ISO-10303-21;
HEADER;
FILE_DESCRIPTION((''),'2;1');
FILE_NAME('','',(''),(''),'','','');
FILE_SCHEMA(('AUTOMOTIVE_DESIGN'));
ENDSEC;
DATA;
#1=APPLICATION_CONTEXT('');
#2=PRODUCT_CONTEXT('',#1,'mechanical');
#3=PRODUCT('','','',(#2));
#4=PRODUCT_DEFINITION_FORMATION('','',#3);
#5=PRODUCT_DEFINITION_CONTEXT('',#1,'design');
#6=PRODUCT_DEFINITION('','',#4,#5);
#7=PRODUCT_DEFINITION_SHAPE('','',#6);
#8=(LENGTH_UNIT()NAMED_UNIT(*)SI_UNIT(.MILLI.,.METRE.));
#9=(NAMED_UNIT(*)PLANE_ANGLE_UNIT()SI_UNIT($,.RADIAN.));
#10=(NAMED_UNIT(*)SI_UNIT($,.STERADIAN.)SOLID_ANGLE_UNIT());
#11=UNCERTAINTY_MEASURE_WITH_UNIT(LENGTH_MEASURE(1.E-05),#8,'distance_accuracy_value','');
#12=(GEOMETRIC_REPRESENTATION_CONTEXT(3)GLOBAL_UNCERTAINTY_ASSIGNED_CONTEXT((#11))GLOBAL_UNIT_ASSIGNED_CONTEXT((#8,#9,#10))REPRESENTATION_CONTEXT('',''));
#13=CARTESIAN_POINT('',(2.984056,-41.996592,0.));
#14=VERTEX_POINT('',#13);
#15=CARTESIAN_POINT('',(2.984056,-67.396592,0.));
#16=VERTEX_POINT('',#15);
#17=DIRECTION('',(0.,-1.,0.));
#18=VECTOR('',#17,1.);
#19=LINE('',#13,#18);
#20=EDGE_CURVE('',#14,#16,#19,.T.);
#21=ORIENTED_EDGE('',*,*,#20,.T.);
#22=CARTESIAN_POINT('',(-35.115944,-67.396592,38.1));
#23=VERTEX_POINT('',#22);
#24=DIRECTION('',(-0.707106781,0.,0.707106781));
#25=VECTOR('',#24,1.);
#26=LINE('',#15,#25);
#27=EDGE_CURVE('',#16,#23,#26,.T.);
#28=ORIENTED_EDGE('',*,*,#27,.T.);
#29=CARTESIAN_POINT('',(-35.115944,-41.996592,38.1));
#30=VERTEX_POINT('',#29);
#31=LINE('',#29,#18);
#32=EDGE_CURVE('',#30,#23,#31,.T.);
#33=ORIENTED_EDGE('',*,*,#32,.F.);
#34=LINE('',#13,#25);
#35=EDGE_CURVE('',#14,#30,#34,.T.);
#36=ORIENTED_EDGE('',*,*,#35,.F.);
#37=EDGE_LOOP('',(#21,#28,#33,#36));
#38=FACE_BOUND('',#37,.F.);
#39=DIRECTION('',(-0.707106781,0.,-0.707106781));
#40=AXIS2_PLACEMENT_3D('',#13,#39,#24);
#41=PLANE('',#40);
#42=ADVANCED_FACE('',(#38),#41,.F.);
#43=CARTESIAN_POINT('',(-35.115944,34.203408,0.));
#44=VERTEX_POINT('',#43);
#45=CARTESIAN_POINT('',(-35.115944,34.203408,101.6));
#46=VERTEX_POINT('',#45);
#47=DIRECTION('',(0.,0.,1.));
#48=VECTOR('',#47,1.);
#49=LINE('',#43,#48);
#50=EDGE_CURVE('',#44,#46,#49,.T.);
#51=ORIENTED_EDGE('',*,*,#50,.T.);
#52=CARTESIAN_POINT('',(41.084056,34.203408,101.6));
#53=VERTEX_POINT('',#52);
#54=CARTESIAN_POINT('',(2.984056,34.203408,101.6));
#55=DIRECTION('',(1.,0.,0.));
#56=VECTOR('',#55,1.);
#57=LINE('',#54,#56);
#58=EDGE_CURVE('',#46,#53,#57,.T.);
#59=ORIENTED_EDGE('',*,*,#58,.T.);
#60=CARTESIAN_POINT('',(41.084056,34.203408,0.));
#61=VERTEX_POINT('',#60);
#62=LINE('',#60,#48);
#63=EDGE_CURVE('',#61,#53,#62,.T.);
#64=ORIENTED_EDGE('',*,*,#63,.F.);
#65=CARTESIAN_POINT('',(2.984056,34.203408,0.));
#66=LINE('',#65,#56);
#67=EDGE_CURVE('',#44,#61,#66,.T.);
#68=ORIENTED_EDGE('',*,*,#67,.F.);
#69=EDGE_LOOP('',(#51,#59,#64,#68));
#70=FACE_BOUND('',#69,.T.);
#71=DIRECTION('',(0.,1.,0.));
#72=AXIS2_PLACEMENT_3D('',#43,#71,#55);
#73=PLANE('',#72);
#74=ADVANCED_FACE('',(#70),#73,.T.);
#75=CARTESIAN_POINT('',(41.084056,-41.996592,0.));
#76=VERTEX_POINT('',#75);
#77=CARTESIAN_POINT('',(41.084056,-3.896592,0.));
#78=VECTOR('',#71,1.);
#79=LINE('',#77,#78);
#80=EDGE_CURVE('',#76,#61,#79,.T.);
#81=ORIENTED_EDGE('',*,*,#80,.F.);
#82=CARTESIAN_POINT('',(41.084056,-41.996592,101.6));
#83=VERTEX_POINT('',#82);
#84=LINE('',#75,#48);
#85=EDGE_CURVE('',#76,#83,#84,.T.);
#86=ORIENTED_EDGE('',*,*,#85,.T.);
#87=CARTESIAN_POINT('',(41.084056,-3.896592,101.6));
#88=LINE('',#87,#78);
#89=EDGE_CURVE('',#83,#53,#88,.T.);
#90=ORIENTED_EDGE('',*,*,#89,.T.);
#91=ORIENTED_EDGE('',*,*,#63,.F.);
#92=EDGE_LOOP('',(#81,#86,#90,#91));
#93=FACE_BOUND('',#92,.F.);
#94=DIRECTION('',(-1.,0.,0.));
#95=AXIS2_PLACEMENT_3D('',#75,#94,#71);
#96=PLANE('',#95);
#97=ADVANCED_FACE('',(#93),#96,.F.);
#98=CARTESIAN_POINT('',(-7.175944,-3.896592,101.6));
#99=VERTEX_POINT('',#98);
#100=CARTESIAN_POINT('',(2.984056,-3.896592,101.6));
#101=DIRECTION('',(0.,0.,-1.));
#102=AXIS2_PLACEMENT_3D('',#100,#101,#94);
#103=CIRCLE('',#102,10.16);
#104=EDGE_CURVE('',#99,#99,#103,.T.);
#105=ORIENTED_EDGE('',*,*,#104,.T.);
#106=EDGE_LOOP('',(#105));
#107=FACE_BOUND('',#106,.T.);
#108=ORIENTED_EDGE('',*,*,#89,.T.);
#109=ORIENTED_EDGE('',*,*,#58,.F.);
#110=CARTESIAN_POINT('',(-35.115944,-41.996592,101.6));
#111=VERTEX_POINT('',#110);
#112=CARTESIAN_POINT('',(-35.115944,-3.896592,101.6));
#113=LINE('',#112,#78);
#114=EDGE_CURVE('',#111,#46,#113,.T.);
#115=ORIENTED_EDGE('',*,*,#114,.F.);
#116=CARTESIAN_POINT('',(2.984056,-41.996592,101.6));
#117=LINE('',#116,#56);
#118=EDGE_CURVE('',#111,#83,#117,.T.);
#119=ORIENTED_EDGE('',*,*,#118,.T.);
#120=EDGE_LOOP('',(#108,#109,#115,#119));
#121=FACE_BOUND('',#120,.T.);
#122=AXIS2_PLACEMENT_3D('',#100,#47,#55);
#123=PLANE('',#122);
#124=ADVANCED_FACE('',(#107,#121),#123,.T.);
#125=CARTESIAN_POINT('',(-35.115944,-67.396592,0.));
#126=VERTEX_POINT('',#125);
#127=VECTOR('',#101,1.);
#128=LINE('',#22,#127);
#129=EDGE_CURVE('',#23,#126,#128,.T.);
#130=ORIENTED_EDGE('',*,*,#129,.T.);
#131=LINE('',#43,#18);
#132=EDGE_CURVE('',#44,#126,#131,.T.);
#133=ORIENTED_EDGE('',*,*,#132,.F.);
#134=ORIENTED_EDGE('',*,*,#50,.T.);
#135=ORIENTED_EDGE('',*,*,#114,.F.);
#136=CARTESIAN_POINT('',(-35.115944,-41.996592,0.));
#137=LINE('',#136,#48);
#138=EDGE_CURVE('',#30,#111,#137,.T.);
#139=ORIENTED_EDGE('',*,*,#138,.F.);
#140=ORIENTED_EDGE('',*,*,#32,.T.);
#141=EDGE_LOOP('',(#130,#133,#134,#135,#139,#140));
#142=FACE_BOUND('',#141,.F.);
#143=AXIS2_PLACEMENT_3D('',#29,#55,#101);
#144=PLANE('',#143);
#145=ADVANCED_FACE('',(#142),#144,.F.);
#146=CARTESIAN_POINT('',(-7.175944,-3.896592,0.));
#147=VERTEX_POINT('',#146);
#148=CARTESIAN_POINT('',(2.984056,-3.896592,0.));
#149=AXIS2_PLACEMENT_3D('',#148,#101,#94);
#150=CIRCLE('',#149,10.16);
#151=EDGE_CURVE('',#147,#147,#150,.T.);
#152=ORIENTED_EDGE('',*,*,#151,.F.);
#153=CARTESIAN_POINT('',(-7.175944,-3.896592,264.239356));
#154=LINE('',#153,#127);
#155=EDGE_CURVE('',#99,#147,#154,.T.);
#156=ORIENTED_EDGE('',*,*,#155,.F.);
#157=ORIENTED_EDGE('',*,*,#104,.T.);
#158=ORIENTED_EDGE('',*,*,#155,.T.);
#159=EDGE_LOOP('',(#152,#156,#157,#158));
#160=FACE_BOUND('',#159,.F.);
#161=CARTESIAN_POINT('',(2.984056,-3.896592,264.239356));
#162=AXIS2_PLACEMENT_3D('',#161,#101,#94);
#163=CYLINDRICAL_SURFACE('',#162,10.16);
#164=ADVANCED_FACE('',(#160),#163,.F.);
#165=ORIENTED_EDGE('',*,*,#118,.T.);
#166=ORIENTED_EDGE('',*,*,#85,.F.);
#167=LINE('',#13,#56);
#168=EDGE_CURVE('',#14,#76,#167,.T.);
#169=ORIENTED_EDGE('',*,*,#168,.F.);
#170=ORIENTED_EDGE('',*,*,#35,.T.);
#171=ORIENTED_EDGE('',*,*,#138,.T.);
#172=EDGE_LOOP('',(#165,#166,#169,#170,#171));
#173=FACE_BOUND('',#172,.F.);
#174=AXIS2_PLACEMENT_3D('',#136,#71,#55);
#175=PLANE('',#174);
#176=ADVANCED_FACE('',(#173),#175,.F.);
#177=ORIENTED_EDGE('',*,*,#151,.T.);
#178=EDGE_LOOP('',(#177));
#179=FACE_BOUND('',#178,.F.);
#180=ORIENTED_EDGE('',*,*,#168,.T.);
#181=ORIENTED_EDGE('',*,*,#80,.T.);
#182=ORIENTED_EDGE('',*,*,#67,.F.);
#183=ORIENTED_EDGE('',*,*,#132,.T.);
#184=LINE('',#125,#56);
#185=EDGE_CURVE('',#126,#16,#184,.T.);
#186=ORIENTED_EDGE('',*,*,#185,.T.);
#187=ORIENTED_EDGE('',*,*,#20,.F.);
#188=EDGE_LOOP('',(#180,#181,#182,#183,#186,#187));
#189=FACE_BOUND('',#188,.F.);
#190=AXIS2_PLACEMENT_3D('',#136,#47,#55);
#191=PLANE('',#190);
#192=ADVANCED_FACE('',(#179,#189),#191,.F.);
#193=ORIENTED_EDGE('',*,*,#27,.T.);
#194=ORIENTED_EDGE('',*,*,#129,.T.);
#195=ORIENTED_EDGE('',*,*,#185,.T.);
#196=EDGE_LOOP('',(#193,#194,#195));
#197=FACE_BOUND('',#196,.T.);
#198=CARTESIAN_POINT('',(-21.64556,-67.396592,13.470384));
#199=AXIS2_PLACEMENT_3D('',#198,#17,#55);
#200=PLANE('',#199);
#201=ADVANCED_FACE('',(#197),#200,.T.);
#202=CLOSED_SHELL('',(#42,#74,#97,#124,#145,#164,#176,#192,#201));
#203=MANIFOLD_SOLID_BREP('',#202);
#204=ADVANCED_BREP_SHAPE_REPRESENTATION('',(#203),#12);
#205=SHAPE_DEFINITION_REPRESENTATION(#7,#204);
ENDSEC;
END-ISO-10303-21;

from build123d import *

# Parameters (mm, degrees)
F0_W     = 76.2
F0_H     = 76.2
F1_DEPTH = 101.6
F3_DEPTH = 25.4
F5_D     = 20.32


with BuildPart() as f1:
    # F0 (on Top) → F1 (new body)
    with BuildSketch(Plane.XY):
        with Locations((2.984056, -3.896592)):
            Rectangle(F0_W, F0_H)
    extrude(amount=F1_DEPTH)

    # F2 (on face) → F3 (join)
    with BuildSketch(Plane.XZ.offset(41.996592)):
        Polygon((-35.115944, 38.1), (-35.115944, 0), (2.984056, 0), align=None)
    extrude(amount=F3_DEPTH)

    # F5 (through all)
    with Locations(Plane.XY.offset(101.6)):
        with Locations((2.984056, -3.896592)):
            Hole(F5_D / 2)


solid = f1.part
